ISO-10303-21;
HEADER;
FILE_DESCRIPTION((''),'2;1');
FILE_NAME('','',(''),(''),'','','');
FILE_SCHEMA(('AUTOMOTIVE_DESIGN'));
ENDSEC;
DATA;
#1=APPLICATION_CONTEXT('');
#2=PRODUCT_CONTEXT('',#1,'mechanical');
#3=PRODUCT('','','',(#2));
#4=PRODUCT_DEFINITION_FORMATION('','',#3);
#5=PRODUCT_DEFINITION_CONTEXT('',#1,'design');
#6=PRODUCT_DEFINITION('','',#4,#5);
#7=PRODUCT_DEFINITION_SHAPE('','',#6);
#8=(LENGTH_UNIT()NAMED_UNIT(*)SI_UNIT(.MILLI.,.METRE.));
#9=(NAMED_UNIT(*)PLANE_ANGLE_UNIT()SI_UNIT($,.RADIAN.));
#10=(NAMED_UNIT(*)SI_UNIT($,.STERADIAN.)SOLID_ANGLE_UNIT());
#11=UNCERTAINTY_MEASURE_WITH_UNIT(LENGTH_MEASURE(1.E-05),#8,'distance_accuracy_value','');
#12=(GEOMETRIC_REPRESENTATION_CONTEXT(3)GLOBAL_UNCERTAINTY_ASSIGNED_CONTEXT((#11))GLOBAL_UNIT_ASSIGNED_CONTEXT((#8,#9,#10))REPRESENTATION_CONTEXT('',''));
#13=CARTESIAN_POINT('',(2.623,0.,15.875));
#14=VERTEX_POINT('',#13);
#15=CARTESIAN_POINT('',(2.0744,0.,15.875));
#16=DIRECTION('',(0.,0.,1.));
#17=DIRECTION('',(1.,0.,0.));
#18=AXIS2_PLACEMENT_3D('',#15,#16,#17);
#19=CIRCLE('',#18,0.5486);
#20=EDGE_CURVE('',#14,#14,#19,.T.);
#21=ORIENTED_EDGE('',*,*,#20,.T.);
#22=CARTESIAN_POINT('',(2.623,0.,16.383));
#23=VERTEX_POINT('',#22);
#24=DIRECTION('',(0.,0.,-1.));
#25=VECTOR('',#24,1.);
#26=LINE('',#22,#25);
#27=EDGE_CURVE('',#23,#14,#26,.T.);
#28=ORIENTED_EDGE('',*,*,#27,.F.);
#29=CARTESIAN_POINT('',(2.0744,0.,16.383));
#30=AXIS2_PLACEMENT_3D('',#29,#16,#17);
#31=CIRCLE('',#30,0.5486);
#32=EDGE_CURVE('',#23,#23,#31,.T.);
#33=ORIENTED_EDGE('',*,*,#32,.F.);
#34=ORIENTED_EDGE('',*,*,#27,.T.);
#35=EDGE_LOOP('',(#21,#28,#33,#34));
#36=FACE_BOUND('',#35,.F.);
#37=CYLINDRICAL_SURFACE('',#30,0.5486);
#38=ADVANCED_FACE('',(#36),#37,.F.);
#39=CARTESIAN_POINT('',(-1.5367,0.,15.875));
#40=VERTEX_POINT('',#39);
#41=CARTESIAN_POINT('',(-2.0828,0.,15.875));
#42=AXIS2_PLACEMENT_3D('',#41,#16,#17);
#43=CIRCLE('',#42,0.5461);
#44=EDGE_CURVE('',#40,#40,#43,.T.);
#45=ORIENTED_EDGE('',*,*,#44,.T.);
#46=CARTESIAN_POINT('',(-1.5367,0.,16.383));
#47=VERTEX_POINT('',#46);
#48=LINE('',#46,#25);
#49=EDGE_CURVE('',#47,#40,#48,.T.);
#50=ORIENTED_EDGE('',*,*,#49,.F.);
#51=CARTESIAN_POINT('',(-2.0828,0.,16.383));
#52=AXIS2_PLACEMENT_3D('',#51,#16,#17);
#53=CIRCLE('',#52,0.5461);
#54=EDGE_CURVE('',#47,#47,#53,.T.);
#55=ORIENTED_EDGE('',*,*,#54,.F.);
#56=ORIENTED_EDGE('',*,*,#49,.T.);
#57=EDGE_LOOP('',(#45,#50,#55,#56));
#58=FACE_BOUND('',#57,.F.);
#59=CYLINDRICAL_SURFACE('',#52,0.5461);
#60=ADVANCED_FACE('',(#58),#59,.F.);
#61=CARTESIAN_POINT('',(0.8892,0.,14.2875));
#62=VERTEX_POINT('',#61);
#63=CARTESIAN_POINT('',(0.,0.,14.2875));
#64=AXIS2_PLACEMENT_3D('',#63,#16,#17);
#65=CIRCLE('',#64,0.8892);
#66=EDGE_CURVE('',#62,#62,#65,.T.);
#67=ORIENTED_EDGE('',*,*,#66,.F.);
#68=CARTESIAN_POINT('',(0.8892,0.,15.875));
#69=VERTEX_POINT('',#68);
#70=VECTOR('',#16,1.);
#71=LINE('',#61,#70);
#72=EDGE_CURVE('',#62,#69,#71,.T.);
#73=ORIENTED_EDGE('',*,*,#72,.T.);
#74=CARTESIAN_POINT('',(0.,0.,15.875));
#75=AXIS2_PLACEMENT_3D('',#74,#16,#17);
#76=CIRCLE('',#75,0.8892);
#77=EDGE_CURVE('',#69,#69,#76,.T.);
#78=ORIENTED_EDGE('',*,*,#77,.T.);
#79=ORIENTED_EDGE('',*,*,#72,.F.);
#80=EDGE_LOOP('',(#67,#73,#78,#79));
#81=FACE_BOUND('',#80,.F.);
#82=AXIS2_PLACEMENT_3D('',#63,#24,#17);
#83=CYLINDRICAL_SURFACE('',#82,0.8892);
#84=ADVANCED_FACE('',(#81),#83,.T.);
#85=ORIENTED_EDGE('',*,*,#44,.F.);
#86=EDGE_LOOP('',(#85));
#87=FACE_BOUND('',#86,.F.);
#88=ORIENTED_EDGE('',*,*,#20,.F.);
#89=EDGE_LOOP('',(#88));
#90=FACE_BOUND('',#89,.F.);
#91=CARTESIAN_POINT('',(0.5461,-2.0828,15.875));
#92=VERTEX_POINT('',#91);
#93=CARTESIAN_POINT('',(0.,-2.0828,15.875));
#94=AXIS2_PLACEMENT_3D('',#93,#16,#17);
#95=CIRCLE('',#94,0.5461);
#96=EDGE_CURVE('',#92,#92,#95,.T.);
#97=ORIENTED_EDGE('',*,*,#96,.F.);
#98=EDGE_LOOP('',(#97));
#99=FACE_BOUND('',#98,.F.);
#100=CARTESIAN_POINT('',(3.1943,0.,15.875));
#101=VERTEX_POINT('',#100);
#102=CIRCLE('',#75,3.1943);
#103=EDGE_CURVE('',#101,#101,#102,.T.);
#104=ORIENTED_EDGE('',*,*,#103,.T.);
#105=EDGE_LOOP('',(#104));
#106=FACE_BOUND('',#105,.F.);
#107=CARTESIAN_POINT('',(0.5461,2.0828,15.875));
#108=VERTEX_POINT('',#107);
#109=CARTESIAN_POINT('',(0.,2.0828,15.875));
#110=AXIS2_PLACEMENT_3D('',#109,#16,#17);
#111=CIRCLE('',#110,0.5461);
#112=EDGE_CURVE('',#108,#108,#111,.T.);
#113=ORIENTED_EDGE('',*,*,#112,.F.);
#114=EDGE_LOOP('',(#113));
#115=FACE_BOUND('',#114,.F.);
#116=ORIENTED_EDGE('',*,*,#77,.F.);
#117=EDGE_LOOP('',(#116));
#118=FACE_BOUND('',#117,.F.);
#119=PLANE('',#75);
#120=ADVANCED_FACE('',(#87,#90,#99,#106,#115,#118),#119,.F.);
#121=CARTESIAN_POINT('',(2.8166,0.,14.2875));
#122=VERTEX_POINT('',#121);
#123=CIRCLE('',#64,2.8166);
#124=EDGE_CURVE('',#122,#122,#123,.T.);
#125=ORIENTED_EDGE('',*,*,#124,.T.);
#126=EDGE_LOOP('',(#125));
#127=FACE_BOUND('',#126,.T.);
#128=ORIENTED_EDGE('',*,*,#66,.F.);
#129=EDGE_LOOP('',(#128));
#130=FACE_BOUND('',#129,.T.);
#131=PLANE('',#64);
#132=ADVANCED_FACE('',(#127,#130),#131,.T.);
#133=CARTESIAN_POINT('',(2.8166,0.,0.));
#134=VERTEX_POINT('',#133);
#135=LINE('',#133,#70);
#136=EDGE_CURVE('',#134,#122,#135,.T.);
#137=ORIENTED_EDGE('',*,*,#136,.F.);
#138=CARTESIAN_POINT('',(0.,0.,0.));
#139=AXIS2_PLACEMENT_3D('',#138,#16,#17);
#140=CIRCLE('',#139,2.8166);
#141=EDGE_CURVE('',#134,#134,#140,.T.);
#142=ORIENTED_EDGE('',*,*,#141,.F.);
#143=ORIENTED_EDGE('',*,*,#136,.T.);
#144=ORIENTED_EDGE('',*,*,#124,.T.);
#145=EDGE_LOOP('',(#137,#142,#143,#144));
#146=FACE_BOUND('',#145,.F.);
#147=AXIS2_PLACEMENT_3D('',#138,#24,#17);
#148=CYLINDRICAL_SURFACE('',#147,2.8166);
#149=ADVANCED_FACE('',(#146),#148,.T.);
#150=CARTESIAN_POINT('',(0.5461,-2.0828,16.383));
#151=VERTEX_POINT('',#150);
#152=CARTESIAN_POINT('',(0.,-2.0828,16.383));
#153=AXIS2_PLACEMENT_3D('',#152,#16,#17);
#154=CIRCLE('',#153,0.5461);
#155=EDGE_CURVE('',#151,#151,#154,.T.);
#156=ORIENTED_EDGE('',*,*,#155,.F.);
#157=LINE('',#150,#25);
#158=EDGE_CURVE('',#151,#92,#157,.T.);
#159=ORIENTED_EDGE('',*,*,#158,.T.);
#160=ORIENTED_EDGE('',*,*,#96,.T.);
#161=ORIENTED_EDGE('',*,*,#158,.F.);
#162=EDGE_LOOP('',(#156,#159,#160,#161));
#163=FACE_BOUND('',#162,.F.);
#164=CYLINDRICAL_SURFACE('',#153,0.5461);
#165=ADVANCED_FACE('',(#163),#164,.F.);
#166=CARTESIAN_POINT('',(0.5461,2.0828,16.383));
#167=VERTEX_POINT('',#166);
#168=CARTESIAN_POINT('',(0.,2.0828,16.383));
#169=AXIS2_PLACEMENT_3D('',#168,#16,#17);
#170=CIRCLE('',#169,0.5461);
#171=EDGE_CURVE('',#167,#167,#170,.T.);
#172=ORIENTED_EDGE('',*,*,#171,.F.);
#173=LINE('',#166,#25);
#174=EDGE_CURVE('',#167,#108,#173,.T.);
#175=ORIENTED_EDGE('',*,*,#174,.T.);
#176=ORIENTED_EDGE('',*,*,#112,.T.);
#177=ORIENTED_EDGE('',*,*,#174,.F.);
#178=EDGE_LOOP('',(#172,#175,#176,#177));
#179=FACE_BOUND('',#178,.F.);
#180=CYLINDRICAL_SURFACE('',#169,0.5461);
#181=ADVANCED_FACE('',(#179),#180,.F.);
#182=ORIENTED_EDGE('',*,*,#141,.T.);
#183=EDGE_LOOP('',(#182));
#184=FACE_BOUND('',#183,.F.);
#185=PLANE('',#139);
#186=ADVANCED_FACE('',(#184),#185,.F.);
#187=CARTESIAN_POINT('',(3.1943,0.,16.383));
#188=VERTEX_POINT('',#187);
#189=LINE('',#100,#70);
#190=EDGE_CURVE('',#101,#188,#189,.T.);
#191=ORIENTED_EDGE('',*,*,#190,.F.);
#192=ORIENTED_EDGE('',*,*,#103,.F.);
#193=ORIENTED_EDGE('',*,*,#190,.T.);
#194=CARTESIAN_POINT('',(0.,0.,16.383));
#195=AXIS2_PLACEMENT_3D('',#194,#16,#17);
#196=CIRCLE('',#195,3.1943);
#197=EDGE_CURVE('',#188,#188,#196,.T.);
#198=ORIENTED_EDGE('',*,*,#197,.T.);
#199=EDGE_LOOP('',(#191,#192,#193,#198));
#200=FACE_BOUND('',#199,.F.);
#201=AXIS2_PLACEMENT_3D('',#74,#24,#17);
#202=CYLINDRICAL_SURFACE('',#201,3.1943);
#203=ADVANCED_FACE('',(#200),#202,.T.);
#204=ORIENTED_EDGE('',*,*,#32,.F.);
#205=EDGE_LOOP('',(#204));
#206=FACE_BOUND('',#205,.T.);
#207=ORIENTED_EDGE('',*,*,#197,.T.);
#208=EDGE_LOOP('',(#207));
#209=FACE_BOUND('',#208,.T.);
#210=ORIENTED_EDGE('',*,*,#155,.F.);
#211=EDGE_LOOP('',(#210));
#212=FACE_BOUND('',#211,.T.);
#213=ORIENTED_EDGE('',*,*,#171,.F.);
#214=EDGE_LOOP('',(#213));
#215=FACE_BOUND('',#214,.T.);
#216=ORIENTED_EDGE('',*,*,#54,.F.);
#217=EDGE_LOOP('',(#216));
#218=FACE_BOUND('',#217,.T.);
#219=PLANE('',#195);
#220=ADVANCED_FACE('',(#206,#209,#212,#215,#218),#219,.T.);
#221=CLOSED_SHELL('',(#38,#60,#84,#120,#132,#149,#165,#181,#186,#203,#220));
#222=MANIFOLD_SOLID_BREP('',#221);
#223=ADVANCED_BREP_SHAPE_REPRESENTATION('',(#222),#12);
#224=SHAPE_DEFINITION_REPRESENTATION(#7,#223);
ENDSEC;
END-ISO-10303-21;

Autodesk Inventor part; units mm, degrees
ref_plane "YZ Plane" through (0, 0, 0) normal (1, 0, 0) x (0, 1, 0)
ref_plane "XZ Plane" through (0, 0, 0) normal (0, 1, 0) x (-1, 0, 0)
ref_plane "XY Plane" through (0, 0, 0) normal (0, 0, 1) x (1, 0, 0)
sketch "Sketch1" plane through (0, 0, 0) normal (0, 0, 1) x (1, 0, 0)
  circle A0 centre (0, 0) radius 2.8166
extrude "Extrusion1" add sketch "Sketch1" along normal blind 14.2875
sketch "Sketch2" plane through (0, 0, 14.2875) normal (0, 0, 1) x (1, 0, 0)
  circle A0 centre (0, 0) radius 0.8892
extrude "Extrusion2" add sketch "Sketch2" along normal blind 1.5875
sketch "Sketch3" plane through (0, 0, 15.875) normal (0, 0, 1) x (1, 0, 0)
  circle A0 centre (0, 0) radius 3.1943
extrude "Extrusion3" add sketch "Sketch3" along normal blind 0.508
sketch "Sketch4" plane through (0, 0, 16.383) normal (0, 0, 1) x (1, 0, 0)
  point P0 (0, 0)
sketch "Sketch5" plane through (0, 0, 16.383) normal (0, 0, 1) x (1, 0, 0)
  circle A0 centre (0, 0) radius 3.1943
  circle A1 centre (2.0744, 0) radius 0.5486
  circle A2 centre (0, -2.0828) radius 0.5461
  circle A3 centre (-2.0828, 0) radius 0.5461
  circle A4 centre (0, 2.0828) radius 0.5461
extrude "Extrusion4" cut sketch "Sketch5" against normal blind 0.508 contours A1 | A2 | A3 | A4
sketch "Sketch6" plane through (0, 0, 16.383) normal (0, 0, 1) x (1, 0, 0)
  point P0 (0, 0)
properties part number "Cylinder"
